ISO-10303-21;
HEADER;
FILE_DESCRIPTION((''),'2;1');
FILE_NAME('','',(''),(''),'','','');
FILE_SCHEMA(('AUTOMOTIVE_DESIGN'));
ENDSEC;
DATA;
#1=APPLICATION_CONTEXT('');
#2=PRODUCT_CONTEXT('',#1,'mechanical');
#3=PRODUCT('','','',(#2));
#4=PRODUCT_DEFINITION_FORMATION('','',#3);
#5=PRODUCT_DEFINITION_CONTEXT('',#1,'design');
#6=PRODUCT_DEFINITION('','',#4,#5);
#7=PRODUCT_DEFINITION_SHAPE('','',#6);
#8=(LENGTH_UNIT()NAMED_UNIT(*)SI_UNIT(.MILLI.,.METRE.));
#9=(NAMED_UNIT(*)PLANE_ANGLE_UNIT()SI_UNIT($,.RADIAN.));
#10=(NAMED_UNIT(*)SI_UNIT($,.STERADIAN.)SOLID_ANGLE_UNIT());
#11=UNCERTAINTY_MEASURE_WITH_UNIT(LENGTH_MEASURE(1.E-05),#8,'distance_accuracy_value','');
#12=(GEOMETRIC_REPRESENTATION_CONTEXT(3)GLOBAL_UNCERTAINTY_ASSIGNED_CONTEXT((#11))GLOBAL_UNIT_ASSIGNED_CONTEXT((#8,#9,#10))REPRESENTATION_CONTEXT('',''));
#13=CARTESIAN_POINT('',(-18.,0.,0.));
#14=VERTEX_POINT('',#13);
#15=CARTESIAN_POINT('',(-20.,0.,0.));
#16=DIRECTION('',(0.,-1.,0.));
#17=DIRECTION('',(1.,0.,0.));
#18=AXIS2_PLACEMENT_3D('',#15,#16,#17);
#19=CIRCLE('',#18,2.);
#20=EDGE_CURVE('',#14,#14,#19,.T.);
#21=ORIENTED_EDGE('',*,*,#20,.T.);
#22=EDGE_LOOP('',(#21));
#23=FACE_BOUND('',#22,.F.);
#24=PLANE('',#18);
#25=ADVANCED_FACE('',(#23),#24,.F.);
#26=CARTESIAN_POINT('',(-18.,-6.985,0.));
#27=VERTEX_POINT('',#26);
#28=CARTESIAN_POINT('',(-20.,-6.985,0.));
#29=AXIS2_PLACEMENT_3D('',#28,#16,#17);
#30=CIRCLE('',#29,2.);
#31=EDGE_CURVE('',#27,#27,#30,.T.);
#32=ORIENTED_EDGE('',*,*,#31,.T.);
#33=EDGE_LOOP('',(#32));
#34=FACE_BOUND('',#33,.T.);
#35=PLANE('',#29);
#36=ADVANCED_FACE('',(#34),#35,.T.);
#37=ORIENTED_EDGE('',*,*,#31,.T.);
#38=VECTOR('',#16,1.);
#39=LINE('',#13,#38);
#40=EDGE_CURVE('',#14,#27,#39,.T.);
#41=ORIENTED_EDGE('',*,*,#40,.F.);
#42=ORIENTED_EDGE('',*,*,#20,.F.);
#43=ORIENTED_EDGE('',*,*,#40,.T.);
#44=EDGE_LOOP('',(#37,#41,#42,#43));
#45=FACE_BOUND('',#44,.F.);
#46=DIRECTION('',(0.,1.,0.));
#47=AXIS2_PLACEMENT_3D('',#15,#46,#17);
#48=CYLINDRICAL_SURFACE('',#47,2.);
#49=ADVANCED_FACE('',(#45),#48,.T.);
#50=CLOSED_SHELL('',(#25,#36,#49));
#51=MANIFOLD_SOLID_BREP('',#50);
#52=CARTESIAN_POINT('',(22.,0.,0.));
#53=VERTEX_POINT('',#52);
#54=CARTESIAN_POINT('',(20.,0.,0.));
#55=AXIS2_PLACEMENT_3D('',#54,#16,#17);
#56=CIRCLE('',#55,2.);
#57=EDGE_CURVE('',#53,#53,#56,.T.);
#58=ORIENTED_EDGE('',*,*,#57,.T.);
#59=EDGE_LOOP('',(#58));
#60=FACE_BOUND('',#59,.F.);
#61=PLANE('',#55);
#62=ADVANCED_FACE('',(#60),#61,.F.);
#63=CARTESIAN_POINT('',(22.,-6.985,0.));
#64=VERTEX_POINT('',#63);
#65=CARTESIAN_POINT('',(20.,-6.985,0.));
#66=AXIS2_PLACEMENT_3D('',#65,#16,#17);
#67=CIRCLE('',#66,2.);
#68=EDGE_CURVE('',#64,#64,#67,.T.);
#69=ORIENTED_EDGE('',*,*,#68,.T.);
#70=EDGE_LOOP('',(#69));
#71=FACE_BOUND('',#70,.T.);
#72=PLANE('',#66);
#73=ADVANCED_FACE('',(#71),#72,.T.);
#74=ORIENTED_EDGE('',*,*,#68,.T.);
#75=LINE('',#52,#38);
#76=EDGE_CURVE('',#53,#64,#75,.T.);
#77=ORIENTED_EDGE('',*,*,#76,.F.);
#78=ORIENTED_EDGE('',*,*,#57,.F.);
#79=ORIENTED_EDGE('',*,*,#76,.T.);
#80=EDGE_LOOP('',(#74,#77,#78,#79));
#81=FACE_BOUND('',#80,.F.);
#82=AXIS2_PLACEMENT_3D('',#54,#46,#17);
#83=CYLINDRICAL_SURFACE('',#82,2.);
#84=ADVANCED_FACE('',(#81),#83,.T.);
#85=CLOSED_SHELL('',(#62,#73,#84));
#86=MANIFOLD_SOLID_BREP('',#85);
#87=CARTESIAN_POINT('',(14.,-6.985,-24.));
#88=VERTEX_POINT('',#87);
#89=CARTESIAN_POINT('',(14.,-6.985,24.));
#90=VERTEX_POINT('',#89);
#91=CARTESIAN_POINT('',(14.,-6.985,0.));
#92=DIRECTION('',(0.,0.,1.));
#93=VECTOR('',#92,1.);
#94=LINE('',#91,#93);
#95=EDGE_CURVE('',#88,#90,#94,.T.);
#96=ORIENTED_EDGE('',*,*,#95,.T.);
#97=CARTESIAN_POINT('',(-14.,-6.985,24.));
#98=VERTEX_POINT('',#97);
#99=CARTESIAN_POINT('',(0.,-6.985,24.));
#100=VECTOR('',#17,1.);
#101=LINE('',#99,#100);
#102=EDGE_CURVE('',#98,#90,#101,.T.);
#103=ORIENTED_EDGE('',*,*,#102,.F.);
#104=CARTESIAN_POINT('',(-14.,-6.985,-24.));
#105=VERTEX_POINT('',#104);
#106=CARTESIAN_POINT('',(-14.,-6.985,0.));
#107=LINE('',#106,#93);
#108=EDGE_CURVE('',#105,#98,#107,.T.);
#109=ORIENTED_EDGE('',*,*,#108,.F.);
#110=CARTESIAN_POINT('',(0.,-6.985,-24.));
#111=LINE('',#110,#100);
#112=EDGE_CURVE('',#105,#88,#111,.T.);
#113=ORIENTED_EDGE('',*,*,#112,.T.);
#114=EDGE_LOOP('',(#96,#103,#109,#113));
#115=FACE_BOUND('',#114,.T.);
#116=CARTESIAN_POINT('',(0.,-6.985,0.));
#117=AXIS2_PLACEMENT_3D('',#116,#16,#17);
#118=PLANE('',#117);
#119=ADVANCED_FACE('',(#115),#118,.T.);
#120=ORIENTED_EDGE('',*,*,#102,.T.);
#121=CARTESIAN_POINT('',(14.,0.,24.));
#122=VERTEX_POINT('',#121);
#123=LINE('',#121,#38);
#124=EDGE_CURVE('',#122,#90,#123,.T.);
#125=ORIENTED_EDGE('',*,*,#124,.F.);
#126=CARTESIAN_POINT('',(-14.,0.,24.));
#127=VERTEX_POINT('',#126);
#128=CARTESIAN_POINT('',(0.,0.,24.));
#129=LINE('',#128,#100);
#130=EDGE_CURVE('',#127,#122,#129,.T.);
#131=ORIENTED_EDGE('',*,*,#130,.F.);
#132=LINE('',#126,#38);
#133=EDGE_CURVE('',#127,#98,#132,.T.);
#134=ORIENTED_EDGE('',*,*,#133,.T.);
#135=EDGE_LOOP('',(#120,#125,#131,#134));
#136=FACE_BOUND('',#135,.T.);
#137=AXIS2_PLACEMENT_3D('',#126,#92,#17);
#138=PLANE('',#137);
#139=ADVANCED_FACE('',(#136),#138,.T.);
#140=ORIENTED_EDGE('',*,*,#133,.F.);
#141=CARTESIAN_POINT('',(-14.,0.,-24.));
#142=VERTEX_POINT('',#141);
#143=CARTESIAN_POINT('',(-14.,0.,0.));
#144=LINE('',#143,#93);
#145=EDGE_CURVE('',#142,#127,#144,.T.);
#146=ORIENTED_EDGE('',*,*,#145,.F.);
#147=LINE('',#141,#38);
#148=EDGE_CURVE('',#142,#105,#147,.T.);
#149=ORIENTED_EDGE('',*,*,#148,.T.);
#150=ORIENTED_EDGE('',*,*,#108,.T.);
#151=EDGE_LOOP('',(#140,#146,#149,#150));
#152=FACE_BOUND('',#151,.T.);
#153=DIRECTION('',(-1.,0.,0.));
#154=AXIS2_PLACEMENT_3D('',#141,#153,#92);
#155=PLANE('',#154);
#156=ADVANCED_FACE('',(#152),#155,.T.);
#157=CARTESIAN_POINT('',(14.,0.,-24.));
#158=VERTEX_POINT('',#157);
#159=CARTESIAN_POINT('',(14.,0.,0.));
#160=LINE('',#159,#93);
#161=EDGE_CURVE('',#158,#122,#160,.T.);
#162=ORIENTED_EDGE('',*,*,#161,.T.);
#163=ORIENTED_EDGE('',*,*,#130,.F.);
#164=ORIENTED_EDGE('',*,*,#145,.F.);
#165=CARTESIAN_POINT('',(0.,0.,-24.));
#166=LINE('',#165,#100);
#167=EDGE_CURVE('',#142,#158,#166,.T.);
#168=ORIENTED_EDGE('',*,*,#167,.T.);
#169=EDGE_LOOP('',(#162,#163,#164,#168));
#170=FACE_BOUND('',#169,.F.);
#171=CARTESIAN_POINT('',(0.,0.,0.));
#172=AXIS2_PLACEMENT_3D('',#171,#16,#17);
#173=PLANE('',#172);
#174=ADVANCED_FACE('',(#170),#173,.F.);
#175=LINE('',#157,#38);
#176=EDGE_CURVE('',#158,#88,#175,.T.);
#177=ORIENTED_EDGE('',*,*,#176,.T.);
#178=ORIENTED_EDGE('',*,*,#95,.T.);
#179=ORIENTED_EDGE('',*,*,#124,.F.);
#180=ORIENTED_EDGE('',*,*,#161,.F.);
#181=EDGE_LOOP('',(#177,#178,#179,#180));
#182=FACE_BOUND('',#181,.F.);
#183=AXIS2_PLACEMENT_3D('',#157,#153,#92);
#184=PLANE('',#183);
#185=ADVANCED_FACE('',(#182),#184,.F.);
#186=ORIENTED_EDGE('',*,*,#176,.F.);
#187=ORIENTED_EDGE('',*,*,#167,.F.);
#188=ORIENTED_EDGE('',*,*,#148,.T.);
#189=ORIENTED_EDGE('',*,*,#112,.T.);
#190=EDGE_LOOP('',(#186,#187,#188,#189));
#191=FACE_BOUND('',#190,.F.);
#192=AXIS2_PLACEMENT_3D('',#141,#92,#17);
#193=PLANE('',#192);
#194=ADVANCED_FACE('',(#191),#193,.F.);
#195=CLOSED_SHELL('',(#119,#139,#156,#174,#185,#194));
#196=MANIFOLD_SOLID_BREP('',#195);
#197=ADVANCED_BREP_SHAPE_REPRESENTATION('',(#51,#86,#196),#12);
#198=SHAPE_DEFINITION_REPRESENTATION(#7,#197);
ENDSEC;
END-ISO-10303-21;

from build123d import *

# Parameters (mm, degrees)
F0_W     = 28
F0_H     = 48
F0_R     = 2
F1_DEPTH = 6.985


with BuildPart() as f1:
    # F0 (on Front) → F1 (new body)
    with BuildSketch(Plane.XZ):
        Rectangle(F0_W, F0_H)
        with Locations((20, 0)):
            Circle(F0_R)
        with Locations((-20, 0)):
            Circle(F0_R)
    extrude(amount=F1_DEPTH)


solid = f1.part
